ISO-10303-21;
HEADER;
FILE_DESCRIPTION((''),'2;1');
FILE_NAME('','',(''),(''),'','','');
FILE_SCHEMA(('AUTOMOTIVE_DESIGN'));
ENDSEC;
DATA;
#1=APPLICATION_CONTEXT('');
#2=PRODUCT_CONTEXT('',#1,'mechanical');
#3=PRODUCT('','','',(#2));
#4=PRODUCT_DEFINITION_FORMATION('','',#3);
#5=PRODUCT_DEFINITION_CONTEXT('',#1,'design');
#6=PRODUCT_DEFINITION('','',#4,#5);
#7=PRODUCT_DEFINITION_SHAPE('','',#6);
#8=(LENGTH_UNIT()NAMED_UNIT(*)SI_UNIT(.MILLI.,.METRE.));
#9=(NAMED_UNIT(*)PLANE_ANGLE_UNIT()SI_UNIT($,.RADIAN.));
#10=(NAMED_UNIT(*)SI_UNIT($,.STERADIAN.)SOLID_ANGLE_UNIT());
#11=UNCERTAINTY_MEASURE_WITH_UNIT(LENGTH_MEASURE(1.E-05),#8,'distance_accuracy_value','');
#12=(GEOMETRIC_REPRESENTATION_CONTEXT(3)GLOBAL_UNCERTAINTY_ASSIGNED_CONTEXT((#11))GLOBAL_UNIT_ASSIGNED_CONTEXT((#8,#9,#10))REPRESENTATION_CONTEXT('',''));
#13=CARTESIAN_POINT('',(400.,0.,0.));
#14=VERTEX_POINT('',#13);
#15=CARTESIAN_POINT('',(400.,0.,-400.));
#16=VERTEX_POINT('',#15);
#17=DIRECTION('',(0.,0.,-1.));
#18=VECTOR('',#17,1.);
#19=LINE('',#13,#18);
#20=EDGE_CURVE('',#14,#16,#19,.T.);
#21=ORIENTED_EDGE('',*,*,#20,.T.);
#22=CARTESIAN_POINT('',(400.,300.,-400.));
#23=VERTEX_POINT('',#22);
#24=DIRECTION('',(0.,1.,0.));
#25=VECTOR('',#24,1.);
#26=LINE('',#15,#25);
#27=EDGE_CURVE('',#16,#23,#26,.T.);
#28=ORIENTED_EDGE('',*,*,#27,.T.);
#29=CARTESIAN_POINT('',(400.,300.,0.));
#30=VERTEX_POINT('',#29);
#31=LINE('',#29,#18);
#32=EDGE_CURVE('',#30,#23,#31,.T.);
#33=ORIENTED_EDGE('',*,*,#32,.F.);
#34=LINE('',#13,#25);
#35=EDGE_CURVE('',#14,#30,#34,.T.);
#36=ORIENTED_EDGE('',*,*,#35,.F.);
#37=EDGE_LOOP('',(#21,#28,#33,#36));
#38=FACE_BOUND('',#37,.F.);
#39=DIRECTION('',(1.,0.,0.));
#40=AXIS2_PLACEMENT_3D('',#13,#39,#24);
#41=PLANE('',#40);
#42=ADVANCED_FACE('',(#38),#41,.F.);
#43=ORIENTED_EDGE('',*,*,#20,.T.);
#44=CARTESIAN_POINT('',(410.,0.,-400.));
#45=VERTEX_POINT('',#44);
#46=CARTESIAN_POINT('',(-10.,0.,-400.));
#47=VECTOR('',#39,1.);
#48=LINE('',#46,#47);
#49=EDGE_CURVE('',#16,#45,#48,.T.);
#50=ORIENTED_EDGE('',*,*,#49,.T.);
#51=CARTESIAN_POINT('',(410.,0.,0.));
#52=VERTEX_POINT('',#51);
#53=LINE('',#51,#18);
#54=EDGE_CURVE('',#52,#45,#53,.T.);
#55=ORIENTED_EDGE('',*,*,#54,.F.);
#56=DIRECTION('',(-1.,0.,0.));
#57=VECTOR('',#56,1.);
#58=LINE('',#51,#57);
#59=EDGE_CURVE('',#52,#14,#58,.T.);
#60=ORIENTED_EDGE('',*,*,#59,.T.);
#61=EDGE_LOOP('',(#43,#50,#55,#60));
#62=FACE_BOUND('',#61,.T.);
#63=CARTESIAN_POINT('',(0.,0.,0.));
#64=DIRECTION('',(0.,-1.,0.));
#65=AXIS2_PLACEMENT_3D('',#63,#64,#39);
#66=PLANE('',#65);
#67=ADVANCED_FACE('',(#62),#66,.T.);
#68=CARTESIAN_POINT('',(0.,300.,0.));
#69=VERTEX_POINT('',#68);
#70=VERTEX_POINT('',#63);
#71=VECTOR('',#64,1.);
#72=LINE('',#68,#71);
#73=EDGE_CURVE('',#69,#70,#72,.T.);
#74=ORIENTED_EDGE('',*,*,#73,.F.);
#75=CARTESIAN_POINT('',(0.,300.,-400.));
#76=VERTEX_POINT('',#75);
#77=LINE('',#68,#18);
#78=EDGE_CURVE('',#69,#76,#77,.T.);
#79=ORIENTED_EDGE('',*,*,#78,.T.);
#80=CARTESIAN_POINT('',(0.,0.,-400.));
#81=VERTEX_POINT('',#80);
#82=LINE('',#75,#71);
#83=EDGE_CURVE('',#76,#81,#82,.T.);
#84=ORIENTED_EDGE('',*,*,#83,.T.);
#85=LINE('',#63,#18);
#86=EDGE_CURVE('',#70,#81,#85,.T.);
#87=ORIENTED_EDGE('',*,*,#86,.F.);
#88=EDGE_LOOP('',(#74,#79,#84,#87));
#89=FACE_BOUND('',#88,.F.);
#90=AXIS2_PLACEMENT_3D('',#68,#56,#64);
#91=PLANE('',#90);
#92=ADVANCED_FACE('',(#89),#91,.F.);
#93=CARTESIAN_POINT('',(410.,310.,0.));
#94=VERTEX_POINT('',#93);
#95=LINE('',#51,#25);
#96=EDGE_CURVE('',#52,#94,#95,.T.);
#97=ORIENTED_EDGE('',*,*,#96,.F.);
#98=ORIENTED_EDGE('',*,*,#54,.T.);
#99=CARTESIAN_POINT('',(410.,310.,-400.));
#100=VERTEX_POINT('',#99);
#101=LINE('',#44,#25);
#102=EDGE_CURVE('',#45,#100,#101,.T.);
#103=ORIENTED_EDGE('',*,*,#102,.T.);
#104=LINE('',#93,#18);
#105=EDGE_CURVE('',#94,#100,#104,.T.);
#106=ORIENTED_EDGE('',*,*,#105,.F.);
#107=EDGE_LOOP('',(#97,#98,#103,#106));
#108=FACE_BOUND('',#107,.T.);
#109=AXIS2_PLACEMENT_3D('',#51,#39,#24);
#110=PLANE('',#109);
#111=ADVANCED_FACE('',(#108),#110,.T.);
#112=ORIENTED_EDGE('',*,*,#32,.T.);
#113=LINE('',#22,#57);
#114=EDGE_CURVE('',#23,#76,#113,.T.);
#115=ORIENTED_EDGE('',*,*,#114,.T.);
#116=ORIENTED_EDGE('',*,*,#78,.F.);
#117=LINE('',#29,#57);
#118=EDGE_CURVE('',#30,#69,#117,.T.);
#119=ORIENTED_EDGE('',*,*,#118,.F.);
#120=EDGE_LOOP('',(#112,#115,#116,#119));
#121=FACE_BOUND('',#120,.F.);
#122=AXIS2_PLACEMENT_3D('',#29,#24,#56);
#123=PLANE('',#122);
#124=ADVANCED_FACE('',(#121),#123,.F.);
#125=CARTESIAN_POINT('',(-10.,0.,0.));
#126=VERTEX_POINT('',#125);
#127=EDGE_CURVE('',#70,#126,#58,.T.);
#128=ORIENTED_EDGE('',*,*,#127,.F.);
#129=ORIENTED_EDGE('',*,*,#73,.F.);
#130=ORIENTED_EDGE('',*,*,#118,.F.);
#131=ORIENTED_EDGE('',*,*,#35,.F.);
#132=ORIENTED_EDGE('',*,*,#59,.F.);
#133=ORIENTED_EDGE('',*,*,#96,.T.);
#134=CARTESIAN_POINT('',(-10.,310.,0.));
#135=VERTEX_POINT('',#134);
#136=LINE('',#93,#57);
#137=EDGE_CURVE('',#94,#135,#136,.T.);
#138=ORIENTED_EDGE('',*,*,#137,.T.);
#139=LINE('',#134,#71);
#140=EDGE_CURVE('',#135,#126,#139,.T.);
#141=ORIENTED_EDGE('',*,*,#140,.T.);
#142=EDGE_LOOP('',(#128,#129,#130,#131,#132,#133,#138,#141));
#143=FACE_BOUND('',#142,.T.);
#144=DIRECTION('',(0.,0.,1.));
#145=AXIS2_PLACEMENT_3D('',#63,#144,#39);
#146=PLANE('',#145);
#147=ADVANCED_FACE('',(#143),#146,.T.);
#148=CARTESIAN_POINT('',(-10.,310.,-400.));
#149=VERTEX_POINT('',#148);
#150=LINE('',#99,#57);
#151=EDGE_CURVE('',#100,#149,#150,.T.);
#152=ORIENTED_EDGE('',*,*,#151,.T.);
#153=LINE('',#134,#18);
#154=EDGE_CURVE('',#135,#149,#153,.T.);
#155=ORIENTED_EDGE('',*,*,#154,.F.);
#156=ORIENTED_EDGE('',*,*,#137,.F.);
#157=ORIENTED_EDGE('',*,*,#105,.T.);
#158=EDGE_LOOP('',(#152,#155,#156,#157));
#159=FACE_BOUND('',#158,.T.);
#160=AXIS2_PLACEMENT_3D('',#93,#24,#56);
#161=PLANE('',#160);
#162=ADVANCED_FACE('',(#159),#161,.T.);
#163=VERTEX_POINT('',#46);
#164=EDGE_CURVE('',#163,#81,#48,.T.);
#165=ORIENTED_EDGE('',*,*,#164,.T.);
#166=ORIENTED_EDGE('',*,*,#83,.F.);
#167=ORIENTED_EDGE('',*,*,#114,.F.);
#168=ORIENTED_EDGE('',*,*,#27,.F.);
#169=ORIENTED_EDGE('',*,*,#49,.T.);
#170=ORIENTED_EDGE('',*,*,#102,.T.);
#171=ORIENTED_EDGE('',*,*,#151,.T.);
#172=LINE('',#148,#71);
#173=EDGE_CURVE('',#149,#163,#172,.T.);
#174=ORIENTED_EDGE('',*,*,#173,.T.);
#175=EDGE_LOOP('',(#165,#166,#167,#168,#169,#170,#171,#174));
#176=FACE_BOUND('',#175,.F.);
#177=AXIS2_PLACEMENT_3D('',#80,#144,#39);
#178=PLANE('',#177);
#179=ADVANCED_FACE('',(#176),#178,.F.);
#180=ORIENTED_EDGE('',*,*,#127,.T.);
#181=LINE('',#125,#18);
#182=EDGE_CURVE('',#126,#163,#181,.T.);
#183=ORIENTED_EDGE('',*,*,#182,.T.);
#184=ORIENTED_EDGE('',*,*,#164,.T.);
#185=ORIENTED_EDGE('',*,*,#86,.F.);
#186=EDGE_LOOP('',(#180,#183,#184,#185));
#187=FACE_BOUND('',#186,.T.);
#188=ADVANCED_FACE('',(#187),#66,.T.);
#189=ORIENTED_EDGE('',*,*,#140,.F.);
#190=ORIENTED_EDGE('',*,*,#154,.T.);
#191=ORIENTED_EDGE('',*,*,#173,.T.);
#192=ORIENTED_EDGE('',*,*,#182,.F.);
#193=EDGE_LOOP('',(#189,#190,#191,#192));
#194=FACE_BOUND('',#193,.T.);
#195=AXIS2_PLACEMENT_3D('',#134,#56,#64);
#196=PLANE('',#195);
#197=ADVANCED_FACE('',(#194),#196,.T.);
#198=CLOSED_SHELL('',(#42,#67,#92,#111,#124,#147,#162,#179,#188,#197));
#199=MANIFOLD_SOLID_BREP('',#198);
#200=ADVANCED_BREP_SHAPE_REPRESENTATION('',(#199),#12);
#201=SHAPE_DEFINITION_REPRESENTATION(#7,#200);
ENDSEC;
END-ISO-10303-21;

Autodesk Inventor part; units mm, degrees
ref_plane "YZ Plane" through (0, 0, 0) normal (1, 0, 0) x (0, 1, 0)
ref_plane "XZ Plane" through (0, 0, 0) normal (0, 1, 0) x (-1, 0, 0)
ref_plane "XY Plane" through (0, 0, 0) normal (0, 0, 1) x (1, 0, 0)
sketch "Sketch1" plane through (0, 0, 0) normal (0, 0, 1) x (1, 0, 0)
  line L0 (0, 0) -> (400, 0)
  line L1 (400, 0) -> (400, 300)
  line L2 (400, 300) -> (0, 300)
  line L3 (0, 300) -> (0, 0)
  line L4 (0, 0) -> (-10, 0)
  line L5 (-10, 0) -> (410, 0)
  line L6 (410, 0) -> (410, 310)
  line L7 (410, 310) -> (-10, 310)
  line L8 (-10, 310) -> (-10, 0)
  dimension "d0" = 400
  dimension "d1" = 300
  dimension "d4" = 10
extrude "Extrusion1" add sketch "Sketch1" against normal blind 400
extrude "Extrusion2" cut sketch "Sketch1" against normal blind 400 contours L3 L2 L1 L0
properties part number "Tunnel"
